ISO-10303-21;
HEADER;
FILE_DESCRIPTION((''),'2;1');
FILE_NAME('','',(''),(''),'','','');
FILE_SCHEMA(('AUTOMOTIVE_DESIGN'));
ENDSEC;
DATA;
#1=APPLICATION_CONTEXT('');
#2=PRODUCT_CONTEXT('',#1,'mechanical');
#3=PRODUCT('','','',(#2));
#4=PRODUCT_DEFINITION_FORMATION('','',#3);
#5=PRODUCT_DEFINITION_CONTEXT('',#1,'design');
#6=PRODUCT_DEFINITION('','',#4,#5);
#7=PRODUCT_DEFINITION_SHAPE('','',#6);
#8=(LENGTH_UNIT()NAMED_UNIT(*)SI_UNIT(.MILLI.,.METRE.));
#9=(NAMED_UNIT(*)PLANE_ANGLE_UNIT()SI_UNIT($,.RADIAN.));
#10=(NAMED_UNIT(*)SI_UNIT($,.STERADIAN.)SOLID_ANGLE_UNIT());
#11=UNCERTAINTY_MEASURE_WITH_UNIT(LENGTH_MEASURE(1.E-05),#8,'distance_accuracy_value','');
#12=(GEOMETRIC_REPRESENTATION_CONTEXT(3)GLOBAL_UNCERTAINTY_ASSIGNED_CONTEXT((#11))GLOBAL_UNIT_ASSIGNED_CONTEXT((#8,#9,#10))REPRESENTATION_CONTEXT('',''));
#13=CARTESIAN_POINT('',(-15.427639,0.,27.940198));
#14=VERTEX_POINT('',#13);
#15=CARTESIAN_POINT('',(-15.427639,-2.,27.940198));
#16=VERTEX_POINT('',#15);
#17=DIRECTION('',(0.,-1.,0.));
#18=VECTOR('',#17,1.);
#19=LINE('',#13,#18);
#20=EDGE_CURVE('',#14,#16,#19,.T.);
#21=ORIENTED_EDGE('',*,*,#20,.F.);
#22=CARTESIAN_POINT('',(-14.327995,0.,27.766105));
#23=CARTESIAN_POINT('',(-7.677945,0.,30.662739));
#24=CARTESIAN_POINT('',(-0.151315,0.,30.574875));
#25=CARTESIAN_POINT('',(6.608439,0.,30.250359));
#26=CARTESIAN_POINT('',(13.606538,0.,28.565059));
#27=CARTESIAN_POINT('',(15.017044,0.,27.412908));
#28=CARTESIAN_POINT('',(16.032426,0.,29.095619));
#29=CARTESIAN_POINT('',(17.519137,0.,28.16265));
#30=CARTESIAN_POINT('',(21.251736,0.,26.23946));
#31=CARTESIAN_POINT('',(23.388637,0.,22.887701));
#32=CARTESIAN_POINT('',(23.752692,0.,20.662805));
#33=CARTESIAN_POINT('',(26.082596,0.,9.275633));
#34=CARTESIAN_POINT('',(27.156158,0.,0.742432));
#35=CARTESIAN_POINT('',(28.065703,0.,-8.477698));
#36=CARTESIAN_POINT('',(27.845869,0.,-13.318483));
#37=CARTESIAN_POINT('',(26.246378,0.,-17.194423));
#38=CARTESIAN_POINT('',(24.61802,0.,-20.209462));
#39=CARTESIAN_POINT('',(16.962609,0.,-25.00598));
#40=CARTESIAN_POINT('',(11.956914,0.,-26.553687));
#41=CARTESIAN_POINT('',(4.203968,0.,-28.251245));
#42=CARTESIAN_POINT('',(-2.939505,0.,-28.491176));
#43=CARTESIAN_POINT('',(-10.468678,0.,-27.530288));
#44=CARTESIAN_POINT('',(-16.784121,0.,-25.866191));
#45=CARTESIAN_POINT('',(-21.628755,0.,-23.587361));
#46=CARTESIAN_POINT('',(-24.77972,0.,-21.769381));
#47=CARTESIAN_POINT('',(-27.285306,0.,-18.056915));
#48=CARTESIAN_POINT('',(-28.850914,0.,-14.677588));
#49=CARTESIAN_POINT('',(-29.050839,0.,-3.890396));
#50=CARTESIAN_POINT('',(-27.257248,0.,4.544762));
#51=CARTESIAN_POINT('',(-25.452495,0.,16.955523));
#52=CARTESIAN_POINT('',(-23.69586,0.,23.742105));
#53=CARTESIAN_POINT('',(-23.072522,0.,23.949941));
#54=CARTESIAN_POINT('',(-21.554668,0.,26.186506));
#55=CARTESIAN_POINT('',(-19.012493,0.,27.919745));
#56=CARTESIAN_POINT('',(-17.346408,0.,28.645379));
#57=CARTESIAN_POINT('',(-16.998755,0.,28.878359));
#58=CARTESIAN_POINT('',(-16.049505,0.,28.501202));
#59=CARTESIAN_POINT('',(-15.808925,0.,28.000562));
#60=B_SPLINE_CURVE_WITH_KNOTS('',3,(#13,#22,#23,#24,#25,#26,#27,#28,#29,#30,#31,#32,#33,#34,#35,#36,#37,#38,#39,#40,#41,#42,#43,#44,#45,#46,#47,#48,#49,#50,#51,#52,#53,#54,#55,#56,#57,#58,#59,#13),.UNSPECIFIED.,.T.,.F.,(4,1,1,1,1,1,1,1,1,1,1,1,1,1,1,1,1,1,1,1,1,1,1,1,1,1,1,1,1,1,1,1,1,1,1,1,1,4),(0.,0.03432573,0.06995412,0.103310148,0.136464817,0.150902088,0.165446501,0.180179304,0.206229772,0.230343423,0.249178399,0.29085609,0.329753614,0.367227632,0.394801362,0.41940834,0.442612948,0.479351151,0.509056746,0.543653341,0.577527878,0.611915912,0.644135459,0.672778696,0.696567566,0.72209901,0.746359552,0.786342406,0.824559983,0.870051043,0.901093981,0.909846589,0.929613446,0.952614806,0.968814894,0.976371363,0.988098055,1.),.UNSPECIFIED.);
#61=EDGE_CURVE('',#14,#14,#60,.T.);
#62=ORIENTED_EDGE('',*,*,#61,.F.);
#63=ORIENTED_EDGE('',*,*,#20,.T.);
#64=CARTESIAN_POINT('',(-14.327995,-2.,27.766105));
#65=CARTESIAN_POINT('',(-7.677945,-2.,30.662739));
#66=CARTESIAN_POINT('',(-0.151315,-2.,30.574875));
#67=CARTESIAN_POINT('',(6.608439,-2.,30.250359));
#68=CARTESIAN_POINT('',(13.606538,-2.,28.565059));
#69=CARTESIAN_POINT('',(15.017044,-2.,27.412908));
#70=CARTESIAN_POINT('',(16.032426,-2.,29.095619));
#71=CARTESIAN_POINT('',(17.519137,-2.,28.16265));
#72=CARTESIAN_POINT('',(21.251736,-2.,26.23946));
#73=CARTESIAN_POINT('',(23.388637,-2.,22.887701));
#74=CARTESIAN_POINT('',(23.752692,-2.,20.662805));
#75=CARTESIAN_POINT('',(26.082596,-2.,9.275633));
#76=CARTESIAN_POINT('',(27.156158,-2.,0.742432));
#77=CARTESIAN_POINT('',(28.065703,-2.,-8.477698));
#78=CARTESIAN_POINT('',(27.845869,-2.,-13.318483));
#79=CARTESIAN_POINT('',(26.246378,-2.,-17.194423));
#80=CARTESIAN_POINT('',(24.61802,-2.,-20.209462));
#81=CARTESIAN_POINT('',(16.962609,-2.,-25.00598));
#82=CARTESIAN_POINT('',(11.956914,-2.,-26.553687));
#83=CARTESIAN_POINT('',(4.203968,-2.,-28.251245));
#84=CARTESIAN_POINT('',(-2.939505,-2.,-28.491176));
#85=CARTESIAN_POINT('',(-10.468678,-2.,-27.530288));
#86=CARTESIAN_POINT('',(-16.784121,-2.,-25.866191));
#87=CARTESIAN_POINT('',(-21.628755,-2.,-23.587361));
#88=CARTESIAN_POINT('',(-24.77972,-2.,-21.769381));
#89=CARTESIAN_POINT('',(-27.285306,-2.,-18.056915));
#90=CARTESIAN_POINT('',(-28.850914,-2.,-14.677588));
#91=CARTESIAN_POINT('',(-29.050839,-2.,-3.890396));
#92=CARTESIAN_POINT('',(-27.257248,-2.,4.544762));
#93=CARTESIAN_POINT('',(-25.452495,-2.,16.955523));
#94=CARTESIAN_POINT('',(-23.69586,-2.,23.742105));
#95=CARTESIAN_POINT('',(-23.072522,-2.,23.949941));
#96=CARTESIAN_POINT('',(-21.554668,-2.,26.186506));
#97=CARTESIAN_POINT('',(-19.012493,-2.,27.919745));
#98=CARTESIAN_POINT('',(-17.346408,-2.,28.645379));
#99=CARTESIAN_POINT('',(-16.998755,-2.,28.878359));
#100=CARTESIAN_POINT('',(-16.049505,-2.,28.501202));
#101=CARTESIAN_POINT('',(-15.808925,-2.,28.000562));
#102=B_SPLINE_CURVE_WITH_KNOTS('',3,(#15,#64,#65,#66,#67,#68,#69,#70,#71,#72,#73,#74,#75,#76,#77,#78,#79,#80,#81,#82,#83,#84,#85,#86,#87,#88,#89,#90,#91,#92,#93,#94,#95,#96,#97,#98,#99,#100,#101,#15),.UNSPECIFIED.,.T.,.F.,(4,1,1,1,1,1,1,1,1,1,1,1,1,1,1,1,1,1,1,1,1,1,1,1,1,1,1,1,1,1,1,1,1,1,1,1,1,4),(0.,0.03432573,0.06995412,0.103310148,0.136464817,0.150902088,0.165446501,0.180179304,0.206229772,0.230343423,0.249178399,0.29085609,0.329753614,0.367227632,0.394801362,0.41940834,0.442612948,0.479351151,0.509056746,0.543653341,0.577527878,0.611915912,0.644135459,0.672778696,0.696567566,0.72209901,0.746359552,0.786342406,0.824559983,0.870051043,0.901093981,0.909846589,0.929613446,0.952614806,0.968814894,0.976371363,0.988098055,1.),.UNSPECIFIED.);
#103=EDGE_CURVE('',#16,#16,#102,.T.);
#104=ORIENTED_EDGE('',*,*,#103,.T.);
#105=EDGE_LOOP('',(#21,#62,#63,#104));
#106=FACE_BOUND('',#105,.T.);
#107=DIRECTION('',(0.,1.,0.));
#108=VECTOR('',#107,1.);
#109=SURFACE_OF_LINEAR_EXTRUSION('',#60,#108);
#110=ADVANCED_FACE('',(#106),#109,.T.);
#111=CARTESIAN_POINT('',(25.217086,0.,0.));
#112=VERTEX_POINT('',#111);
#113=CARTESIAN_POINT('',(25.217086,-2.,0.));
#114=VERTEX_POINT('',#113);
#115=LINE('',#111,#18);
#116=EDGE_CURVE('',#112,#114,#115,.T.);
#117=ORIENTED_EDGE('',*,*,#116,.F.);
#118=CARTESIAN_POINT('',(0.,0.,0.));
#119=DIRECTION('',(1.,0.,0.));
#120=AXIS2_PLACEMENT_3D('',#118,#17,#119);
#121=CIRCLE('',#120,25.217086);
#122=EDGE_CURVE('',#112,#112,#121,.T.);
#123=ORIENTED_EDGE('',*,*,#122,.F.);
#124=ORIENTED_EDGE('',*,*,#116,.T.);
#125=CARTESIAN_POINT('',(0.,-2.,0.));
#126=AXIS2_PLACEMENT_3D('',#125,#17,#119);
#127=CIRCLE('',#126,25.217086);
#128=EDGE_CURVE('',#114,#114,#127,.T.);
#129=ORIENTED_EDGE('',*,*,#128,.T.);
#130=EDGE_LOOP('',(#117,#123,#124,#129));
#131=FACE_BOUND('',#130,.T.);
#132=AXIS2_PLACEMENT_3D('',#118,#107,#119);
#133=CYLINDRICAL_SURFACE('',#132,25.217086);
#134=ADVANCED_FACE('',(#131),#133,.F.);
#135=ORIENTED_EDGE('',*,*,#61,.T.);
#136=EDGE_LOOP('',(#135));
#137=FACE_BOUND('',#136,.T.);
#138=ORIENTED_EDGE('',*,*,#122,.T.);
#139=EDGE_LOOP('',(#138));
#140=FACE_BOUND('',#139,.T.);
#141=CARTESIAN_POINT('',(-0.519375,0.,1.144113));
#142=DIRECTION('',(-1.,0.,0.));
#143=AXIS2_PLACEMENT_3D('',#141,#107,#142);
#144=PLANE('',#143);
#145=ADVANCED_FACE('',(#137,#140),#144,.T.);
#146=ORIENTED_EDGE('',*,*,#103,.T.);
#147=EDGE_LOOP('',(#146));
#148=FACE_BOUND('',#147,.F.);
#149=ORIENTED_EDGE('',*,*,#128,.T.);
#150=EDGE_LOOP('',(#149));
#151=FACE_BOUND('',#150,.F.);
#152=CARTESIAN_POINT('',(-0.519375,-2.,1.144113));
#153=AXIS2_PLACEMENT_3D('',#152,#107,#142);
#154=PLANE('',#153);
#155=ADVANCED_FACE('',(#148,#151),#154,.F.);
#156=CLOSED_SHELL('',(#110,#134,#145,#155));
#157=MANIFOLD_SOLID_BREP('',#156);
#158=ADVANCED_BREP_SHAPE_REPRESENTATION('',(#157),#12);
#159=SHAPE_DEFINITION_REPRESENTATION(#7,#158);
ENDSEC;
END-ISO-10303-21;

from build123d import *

# Parameters (mm, degrees)
F0_R     = 26.2170860532
F0_R_2   = 25.2170860532
F2_DEPTH = 2


with BuildPart() as f2:
    # F0 (on Front) → F2 (new body)
    with BuildSketch(Plane.XZ):
        with BuildLine():
            add(Edge.make_bspline(
                [(-15.4276391203, 27.9401979858), (-14.3279947725, 27.766105438), (-7.6779446616, 30.6627390405), (-0.1513154218, 30.5748747008), (6.6084388934, 30.2503589788), (13.6065382667, 28.5650590932), (15.0170437578, 27.4129076197), (16.0324260087, 29.0956194697), (17.5191374417, 28.1626500701), (21.2517357515, 26.2394599986), (23.3886365056, 22.8877009589), (23.7526917364, 20.6628045373), (26.0825960148, 9.2756332169), (27.1561579794, 0.742431869), (28.0657034509, -8.4776984291), (27.8458691017, -13.3184834631), (26.2463777946, -17.1944229966), (24.6180201483, -20.2094619765), (16.9626086384, -25.0059798567), (11.9569136323, -26.5536870054), (4.2039684509, -28.2512450896), (-2.9395045533, -28.4911758813), (-10.4686784133, -27.5302876258), (-16.7841212391, -25.8661909295), (-21.628754536, -23.5873605283), (-24.779719572, -21.7693814194), (-27.2853061048, -18.0569148229), (-28.8509140998, -14.6775880941), (-29.0508394088, -3.8903962006), (-27.2572475455, 4.5447616021), (-25.4524952567, 16.9555226728), (-23.6958600716, 23.7421049779), (-23.0725215252, 23.9499407773), (-21.5546675519, 26.186505573), (-19.0124931356, 27.9197446319), (-17.3464075452, 28.6453794847), (-16.998755011, 28.8783589664), (-16.0495049666, 28.5012016499), (-15.808924728, 28.0005620326), (-15.4276391203, 27.9401979858)],
                knots=[0, 0, 0, 0, 0.0343257297, 0.0699541197, 0.1033101477, 0.1364648166, 0.1509020878, 0.1654465013, 0.1801793038, 0.2062297716, 0.2303434226, 0.2491783986, 0.2908560895, 0.3297536139, 0.3672276322, 0.394801362, 0.4194083395, 0.4426129483, 0.4793511506, 0.5090567456, 0.5436533411, 0.5775278779, 0.6119159117, 0.644135459, 0.6727786963, 0.6965675658, 0.7220990104, 0.7463595516, 0.7863424055, 0.8245599827, 0.8700510434, 0.9010939808, 0.909846589, 0.9296134461, 0.9526148056, 0.9688148939, 0.9763713625, 0.9880980549, 1, 1, 1, 1], degree=3))
        make_face()
        Circle(F0_R, mode=Mode.SUBTRACT)
        Circle(F0_R)
        Circle(F0_R_2, mode=Mode.SUBTRACT)
    extrude(amount=F2_DEPTH)


solid = f2.part
